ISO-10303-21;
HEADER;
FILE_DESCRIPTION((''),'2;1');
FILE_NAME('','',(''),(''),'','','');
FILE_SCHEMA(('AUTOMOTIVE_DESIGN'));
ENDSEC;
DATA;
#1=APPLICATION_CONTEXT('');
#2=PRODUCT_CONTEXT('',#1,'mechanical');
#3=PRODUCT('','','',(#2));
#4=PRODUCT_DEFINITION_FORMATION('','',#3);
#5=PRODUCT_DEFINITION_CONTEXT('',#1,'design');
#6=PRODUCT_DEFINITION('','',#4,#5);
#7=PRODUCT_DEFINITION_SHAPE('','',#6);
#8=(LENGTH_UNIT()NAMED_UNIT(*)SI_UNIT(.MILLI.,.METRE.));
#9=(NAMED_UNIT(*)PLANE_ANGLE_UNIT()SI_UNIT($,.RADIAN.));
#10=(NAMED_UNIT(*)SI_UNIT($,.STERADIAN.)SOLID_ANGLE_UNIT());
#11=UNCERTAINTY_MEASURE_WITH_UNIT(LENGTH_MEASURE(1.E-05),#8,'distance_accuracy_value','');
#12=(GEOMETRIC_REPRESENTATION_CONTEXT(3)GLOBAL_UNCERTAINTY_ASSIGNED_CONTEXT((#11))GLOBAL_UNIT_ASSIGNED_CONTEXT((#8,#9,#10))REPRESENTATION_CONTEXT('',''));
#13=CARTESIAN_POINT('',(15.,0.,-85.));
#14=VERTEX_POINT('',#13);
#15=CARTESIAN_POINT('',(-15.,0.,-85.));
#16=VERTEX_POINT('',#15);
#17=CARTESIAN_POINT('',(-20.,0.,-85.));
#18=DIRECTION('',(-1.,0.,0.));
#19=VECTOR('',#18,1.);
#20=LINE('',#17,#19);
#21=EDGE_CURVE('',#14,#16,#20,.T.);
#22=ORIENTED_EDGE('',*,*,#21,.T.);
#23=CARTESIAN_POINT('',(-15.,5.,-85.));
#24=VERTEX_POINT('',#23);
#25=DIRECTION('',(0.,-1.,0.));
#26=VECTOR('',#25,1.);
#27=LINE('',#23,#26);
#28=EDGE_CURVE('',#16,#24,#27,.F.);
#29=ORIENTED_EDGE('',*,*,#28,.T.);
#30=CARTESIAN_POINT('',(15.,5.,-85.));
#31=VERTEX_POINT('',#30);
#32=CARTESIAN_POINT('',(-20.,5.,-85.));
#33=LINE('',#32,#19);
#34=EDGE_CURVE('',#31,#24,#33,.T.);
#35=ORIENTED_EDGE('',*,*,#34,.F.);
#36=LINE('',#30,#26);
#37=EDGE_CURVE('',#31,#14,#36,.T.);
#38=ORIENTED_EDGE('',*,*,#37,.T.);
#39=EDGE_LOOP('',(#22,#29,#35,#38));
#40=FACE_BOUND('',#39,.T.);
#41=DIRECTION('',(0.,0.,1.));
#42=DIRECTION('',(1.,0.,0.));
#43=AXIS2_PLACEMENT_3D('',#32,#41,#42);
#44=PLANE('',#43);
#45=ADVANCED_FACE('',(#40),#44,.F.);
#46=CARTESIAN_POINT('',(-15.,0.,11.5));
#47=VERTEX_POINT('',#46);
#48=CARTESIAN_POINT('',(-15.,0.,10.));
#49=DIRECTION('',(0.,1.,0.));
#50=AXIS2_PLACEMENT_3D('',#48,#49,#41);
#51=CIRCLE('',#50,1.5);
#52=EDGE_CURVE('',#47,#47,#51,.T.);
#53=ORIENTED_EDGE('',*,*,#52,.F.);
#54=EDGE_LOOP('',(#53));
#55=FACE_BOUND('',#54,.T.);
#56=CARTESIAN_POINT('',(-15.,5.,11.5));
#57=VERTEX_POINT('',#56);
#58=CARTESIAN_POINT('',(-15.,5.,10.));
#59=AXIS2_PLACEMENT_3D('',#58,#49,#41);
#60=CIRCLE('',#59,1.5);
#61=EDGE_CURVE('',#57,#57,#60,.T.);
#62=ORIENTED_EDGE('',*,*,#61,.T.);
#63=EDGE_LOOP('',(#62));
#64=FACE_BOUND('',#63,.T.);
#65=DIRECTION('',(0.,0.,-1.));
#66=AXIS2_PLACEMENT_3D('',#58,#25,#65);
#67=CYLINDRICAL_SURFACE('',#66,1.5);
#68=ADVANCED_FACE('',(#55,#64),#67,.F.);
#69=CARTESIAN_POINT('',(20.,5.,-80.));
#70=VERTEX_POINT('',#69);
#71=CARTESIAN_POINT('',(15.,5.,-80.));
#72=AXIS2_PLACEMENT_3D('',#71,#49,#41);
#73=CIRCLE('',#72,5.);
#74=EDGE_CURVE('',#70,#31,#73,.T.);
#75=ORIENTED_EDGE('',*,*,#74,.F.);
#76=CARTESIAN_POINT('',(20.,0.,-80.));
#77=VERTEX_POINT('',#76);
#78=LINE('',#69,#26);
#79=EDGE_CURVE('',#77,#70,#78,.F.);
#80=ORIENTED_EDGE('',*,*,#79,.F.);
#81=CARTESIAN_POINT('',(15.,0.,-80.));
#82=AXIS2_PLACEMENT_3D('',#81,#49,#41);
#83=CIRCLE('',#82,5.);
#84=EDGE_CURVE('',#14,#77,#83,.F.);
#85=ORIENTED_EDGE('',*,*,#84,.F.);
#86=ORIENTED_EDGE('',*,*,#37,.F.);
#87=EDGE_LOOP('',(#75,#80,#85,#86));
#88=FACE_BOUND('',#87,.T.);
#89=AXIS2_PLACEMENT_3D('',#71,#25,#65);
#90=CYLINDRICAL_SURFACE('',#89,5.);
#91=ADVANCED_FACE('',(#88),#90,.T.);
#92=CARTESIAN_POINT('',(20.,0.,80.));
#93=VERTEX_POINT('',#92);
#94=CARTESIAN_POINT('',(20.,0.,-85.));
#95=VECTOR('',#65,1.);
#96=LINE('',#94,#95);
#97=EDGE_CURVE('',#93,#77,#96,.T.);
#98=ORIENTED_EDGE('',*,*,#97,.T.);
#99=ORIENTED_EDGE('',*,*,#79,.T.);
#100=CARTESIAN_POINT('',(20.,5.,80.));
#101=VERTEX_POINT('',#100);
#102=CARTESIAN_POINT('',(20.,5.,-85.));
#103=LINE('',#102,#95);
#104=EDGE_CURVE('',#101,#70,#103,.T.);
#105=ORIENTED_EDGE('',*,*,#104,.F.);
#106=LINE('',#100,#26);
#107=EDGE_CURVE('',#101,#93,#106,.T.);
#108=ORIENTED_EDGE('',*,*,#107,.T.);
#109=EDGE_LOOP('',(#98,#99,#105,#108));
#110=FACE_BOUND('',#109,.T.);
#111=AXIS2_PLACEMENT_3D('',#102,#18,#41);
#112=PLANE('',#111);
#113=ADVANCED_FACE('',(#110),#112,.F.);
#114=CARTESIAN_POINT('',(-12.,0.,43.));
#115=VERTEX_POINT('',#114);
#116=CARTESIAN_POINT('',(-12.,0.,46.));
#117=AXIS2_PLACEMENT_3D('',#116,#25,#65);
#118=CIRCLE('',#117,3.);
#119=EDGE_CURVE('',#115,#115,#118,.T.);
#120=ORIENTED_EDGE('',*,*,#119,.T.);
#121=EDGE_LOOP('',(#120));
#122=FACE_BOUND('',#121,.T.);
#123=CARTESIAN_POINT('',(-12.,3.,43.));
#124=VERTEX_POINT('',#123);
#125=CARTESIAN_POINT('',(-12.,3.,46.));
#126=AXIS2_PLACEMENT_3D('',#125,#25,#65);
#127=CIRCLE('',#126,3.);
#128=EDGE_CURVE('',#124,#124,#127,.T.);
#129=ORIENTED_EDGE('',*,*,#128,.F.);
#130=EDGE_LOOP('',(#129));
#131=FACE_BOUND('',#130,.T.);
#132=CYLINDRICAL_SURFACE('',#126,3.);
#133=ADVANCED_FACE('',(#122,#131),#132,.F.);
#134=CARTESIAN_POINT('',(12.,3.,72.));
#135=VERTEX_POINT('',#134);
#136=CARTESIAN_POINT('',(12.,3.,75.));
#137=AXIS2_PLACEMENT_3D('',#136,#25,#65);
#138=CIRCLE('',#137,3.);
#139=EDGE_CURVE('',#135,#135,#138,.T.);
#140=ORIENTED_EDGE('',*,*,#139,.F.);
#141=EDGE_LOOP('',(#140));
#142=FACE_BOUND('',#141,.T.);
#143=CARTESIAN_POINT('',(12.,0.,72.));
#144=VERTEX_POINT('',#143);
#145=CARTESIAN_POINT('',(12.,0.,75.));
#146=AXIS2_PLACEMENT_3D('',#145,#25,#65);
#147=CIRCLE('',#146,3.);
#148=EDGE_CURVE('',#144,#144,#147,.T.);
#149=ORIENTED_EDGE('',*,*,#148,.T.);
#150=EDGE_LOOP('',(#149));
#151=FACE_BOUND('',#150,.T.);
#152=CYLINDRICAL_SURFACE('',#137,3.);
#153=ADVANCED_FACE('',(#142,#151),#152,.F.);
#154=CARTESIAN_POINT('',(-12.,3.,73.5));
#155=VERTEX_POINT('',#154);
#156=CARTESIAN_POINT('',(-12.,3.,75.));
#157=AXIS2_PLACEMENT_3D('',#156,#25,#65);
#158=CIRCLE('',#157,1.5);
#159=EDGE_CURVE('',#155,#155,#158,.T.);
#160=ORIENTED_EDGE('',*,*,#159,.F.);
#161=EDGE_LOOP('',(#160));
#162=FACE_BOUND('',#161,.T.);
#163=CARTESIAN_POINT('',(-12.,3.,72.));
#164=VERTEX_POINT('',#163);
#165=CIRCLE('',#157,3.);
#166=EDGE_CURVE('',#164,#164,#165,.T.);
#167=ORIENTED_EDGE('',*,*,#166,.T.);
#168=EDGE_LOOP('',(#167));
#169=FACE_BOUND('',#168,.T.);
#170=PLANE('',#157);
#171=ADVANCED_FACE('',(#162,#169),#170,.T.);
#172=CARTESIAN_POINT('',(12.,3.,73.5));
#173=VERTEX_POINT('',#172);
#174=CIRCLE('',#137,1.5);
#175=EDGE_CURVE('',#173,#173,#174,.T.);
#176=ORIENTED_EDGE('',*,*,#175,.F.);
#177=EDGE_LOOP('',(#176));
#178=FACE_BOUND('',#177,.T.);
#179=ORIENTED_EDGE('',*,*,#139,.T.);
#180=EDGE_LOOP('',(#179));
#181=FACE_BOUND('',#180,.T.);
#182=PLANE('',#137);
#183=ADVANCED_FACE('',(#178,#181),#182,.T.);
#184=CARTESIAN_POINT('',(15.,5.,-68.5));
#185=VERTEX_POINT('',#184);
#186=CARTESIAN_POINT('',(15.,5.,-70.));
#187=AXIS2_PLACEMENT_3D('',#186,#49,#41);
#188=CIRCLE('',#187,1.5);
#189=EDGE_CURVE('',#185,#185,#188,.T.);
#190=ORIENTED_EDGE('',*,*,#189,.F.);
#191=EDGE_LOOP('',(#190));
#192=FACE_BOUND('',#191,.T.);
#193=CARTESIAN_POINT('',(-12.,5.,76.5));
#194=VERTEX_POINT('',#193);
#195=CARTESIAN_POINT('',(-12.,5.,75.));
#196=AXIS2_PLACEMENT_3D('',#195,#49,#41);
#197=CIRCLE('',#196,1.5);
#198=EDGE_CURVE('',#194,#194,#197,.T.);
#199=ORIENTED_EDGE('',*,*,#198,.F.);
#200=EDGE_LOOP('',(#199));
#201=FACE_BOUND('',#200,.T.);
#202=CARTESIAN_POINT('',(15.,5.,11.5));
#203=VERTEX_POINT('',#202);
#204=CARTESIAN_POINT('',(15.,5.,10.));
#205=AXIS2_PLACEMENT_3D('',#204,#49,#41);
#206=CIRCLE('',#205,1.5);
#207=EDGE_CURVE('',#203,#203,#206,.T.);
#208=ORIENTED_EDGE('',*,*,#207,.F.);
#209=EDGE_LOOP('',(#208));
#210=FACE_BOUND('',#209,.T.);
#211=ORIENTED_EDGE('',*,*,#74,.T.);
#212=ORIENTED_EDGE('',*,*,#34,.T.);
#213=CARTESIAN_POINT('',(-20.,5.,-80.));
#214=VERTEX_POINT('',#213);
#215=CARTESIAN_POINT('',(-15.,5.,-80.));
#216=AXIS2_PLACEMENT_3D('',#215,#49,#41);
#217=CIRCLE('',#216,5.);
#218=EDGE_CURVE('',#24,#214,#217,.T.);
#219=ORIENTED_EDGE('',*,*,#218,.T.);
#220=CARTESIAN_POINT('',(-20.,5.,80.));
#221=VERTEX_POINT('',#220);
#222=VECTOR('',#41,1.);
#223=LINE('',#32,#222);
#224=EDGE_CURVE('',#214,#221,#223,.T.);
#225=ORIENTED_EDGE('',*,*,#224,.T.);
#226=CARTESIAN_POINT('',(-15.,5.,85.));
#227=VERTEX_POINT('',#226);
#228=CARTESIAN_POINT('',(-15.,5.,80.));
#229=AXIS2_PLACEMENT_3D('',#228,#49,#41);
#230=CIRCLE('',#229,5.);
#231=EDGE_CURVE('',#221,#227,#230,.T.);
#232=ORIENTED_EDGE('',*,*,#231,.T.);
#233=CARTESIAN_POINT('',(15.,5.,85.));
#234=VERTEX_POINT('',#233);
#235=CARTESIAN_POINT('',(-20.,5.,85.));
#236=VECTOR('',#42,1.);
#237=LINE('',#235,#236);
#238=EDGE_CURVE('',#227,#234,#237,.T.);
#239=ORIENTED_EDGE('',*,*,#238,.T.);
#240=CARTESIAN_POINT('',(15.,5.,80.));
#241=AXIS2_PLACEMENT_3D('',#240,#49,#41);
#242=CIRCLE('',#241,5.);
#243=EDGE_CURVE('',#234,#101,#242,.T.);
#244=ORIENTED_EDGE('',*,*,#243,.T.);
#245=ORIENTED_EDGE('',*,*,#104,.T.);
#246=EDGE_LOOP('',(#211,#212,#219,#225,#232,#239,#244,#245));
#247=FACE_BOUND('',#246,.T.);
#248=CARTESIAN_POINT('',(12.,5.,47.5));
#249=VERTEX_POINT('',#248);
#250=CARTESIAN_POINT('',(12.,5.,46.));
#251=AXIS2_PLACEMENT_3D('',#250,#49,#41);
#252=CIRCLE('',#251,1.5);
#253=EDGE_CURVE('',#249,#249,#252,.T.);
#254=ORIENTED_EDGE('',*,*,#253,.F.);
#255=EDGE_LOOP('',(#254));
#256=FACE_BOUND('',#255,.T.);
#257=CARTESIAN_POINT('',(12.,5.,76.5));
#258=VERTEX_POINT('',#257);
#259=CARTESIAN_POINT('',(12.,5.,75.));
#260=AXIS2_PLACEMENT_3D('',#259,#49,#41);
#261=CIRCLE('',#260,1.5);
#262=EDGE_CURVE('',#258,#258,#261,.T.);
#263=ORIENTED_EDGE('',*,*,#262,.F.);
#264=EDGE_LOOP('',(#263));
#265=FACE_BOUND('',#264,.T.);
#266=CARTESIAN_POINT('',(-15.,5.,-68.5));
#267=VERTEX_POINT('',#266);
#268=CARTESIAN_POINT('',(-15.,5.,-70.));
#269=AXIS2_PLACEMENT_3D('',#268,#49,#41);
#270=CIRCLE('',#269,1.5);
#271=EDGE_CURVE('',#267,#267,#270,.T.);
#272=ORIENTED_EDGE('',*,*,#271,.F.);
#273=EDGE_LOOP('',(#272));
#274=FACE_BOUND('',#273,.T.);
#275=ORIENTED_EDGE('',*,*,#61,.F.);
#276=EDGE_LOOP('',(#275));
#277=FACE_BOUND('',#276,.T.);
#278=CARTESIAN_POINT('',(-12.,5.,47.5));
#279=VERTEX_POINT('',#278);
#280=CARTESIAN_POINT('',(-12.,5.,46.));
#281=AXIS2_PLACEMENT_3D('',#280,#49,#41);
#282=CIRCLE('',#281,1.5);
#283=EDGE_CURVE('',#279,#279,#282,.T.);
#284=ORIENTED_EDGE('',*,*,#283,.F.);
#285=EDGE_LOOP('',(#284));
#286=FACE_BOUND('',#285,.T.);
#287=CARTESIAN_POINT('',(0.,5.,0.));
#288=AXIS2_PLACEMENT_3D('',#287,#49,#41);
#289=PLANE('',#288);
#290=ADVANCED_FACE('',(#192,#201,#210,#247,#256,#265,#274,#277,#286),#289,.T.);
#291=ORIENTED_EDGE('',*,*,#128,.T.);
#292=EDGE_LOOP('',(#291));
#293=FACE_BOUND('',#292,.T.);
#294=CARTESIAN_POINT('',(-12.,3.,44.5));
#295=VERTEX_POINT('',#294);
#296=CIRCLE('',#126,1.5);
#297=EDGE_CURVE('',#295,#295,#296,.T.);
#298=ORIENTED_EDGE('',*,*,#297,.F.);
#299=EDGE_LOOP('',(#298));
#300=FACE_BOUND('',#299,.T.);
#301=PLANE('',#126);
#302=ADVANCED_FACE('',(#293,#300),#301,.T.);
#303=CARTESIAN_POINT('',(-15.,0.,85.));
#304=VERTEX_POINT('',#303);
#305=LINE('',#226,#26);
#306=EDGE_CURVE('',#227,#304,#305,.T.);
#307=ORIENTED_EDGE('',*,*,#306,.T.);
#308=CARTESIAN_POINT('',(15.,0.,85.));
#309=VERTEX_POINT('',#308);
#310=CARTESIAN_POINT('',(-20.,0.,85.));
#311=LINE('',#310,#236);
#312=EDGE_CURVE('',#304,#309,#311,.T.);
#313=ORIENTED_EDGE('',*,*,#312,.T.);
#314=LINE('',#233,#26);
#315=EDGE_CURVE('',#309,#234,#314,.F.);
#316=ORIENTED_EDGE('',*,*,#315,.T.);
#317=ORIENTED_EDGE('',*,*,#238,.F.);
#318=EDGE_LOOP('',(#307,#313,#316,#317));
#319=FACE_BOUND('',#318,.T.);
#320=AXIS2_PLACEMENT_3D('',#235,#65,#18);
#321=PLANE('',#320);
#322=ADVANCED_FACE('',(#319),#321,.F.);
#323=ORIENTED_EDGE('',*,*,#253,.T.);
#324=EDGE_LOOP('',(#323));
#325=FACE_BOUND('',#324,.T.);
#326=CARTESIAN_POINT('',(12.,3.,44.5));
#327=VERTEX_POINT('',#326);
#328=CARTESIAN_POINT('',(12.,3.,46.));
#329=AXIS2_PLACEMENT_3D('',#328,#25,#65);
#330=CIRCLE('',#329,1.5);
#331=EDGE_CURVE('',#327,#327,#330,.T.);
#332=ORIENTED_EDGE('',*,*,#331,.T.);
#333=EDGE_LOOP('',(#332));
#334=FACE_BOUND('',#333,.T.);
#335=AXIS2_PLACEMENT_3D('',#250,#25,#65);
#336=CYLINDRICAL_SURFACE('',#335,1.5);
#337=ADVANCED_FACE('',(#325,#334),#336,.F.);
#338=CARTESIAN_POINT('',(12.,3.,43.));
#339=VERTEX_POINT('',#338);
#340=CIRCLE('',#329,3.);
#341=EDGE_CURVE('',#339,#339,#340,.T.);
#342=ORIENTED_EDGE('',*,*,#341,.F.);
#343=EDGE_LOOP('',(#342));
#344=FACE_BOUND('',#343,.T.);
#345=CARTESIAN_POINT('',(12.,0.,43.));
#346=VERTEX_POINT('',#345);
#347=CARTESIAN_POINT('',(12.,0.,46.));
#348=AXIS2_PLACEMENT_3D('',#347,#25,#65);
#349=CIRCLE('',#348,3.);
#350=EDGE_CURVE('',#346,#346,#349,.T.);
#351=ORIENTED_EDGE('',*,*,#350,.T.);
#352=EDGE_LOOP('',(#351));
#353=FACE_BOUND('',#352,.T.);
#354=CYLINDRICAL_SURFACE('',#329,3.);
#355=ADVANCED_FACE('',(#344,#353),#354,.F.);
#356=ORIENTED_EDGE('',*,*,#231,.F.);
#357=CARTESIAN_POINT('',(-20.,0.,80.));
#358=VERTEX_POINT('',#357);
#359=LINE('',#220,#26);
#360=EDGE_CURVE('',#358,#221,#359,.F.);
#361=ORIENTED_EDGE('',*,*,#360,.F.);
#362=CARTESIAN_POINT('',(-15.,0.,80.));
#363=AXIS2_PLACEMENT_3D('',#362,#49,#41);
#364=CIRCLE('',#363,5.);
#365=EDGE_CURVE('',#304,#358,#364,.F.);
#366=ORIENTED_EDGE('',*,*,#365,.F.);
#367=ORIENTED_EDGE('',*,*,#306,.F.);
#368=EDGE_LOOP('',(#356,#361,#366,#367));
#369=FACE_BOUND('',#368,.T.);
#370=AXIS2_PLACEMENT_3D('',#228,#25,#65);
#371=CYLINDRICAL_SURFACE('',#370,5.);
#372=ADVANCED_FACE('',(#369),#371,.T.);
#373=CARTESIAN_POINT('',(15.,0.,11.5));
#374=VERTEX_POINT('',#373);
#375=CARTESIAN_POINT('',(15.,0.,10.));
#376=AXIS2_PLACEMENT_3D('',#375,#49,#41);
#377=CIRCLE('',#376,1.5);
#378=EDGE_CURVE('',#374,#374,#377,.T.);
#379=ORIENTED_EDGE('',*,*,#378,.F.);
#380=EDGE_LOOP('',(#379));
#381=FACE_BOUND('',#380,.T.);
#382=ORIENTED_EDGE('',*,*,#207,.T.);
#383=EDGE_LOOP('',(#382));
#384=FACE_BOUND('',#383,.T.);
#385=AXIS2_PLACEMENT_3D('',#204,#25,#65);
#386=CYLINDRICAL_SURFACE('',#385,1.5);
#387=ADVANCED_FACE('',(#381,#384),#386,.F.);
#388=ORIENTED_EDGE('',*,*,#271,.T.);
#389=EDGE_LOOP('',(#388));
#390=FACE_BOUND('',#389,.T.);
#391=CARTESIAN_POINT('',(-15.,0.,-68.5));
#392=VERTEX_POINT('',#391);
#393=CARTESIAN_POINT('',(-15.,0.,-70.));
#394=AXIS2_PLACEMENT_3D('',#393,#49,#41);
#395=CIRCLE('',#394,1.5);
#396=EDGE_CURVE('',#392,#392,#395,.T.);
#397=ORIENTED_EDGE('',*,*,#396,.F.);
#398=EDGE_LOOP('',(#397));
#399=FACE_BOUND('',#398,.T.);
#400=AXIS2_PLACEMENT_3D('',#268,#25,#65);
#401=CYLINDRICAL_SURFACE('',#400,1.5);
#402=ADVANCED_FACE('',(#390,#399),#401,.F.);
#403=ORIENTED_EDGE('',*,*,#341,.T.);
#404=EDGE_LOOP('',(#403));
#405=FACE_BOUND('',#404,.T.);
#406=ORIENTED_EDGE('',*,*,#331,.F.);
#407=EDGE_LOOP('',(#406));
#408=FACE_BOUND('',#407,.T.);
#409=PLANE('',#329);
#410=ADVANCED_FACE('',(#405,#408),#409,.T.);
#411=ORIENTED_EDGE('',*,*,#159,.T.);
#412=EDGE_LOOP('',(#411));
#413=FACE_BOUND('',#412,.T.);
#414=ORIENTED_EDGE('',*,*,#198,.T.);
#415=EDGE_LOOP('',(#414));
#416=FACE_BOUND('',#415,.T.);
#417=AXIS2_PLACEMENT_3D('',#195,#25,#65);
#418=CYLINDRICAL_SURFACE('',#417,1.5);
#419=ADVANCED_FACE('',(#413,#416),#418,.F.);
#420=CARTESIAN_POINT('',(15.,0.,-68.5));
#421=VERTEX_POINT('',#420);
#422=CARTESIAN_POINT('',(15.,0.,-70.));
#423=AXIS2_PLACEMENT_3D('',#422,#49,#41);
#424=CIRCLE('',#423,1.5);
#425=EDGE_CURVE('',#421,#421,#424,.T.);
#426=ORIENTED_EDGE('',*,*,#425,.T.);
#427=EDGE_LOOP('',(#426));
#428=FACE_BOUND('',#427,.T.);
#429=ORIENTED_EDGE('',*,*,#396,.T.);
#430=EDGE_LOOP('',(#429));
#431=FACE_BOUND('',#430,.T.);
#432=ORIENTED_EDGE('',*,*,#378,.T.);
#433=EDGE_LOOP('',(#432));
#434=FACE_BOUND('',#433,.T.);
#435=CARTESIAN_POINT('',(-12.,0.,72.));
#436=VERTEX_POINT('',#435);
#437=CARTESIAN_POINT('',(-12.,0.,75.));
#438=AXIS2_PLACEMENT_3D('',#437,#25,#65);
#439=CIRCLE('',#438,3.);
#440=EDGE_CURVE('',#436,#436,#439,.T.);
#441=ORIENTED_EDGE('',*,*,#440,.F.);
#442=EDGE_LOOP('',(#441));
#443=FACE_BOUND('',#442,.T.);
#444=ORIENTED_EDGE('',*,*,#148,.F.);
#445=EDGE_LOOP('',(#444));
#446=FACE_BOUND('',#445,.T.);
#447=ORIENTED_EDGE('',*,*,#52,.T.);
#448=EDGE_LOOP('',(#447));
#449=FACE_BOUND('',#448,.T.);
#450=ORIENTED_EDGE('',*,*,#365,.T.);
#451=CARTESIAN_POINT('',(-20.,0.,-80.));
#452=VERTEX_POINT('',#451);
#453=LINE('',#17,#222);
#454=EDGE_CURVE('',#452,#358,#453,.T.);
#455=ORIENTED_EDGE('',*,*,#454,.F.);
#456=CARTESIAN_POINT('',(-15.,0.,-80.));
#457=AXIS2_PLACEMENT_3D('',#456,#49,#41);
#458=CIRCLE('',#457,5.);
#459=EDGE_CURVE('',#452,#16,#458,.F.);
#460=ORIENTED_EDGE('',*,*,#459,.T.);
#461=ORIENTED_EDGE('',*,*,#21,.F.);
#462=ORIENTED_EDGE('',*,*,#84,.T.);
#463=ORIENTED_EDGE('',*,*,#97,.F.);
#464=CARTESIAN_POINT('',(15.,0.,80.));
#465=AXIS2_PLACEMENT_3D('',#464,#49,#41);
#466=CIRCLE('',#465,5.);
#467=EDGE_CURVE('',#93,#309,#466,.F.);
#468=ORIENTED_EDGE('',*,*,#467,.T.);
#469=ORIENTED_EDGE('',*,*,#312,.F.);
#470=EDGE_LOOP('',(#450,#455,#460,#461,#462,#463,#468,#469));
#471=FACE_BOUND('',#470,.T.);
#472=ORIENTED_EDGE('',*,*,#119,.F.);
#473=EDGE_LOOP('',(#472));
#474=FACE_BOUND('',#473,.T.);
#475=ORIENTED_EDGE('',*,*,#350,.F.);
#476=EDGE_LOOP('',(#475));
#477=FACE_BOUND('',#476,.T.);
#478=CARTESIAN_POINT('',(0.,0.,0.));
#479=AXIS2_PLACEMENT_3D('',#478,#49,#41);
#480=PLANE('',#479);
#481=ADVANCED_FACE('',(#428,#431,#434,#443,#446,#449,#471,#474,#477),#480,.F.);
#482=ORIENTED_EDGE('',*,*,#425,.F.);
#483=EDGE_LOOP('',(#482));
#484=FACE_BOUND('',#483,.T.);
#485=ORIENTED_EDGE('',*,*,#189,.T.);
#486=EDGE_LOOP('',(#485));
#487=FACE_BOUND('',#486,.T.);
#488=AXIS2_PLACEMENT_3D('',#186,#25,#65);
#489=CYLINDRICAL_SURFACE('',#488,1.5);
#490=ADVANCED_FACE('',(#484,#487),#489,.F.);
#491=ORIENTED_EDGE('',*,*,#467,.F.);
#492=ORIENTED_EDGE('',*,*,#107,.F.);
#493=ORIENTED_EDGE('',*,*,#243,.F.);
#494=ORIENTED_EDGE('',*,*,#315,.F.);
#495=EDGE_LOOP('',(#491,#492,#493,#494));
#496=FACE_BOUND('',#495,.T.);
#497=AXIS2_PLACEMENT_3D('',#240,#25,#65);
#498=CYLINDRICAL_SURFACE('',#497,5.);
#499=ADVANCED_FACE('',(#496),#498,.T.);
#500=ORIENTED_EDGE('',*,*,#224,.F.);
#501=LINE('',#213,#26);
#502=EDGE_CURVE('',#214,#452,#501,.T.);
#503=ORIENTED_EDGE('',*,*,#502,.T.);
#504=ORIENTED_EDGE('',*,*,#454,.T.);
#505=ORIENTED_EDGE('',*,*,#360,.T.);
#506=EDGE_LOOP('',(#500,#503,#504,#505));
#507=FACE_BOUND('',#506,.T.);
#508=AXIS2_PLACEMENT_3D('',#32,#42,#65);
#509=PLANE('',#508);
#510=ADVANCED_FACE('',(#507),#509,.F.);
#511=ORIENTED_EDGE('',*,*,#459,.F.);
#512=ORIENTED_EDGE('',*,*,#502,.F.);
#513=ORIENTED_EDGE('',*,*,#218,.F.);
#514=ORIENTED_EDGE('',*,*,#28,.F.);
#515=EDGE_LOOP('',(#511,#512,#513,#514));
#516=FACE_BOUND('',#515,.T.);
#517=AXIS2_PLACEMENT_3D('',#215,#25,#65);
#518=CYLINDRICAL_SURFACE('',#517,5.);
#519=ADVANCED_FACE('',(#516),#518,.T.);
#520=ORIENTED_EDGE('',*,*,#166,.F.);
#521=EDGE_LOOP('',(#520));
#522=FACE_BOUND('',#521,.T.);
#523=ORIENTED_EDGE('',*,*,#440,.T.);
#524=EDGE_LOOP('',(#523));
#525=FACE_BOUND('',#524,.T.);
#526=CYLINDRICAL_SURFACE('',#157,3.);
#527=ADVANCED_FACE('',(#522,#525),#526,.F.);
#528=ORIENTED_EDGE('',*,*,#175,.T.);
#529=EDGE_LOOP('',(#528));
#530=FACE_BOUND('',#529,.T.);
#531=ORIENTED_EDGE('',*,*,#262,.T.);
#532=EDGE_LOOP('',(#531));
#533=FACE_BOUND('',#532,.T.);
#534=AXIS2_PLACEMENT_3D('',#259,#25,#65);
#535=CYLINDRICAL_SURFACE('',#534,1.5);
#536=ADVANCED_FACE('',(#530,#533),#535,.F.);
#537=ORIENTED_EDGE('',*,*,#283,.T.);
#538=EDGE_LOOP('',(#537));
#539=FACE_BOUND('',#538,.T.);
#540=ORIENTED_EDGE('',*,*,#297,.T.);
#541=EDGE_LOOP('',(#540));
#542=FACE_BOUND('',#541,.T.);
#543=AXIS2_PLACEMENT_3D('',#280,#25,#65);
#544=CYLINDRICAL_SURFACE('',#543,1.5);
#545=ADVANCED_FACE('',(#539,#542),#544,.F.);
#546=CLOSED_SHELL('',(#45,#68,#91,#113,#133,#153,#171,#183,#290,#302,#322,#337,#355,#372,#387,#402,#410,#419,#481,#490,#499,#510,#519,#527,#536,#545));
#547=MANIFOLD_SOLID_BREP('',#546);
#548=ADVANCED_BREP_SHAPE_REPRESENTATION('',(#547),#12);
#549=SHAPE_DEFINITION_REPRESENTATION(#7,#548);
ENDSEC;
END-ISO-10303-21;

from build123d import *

# Parameters (mm, degrees)
SKETCH_1_W          = 40
SKETCH_1_H          = 170
SKETCH_1_R          = 1.5
EXTRUDE_1_DEPTH     = 5
FILLET_1_R          = 5
SKETCH_2_R          = 3
CUT_EXTRUDE_1_DEPTH = 3


with BuildPart() as part:
    # 草图1 → 凸台-拉伸1 (new body)
    with BuildSketch(Plane(origin=(0, 0, 0), x_dir=(1, 0, 0), z_dir=(0, 1, 0))):
        Rectangle(SKETCH_1_W, SKETCH_1_H)
        with Locations(Location((-15, 70, 0), (0, 0, 270))):
            Circle(SKETCH_1_R, mode=Mode.SUBTRACT)
        with Locations(Location((15, 70, 0), (0, 0, 270))):
            Circle(SKETCH_1_R, mode=Mode.SUBTRACT)
        with Locations(Location((15, -10, 0), (0, 0, 270))):
            Circle(SKETCH_1_R, mode=Mode.SUBTRACT)
        with Locations(Location((-15, -10, 0), (0, 0, 270))):
            Circle(SKETCH_1_R, mode=Mode.SUBTRACT)
        with Locations(Location((12, -46, 0), (0, 0, 270))):
            Circle(SKETCH_1_R, mode=Mode.SUBTRACT)
        with Locations(Location((-12, -46, 0), (0, 0, 270))):
            Circle(SKETCH_1_R, mode=Mode.SUBTRACT)
        with Locations(Location((-12, -75, 0), (0, 0, 270))):
            Circle(SKETCH_1_R, mode=Mode.SUBTRACT)
        with Locations(Location((12, -75, 0), (0, 0, 270))):
            Circle(SKETCH_1_R, mode=Mode.SUBTRACT)
    extrude(amount=EXTRUDE_1_DEPTH)

    # 圆角1
    fillet_1_edges = [part.edges().sort_by_distance(p)[0] for p in [
        (20, 2.5, 85),
        (-20, 2.5, 85),
        (-20, 2.5, -85),
        (20, 2.5, -85),
    ]]
    fillet(fillet_1_edges, radius=FILLET_1_R)

    # 草图2 → 切除-拉伸1 (cut)
    with BuildSketch(Plane.XZ):
        with Locations(Location((-12, 75, 0), (0, 0, 270))):
            Circle(SKETCH_2_R)
        with Locations(Location((12, 75, 0), (0, 0, 270))):
            Circle(SKETCH_2_R)
        with Locations(Location((12, 46, 0), (0, 0, 270))):
            Circle(SKETCH_2_R)
        with Locations(Location((-12, 46, 0), (0, 0, 270))):
            Circle(SKETCH_2_R)
    extrude(amount=-CUT_EXTRUDE_1_DEPTH, mode=Mode.SUBTRACT)


solid = part.part
